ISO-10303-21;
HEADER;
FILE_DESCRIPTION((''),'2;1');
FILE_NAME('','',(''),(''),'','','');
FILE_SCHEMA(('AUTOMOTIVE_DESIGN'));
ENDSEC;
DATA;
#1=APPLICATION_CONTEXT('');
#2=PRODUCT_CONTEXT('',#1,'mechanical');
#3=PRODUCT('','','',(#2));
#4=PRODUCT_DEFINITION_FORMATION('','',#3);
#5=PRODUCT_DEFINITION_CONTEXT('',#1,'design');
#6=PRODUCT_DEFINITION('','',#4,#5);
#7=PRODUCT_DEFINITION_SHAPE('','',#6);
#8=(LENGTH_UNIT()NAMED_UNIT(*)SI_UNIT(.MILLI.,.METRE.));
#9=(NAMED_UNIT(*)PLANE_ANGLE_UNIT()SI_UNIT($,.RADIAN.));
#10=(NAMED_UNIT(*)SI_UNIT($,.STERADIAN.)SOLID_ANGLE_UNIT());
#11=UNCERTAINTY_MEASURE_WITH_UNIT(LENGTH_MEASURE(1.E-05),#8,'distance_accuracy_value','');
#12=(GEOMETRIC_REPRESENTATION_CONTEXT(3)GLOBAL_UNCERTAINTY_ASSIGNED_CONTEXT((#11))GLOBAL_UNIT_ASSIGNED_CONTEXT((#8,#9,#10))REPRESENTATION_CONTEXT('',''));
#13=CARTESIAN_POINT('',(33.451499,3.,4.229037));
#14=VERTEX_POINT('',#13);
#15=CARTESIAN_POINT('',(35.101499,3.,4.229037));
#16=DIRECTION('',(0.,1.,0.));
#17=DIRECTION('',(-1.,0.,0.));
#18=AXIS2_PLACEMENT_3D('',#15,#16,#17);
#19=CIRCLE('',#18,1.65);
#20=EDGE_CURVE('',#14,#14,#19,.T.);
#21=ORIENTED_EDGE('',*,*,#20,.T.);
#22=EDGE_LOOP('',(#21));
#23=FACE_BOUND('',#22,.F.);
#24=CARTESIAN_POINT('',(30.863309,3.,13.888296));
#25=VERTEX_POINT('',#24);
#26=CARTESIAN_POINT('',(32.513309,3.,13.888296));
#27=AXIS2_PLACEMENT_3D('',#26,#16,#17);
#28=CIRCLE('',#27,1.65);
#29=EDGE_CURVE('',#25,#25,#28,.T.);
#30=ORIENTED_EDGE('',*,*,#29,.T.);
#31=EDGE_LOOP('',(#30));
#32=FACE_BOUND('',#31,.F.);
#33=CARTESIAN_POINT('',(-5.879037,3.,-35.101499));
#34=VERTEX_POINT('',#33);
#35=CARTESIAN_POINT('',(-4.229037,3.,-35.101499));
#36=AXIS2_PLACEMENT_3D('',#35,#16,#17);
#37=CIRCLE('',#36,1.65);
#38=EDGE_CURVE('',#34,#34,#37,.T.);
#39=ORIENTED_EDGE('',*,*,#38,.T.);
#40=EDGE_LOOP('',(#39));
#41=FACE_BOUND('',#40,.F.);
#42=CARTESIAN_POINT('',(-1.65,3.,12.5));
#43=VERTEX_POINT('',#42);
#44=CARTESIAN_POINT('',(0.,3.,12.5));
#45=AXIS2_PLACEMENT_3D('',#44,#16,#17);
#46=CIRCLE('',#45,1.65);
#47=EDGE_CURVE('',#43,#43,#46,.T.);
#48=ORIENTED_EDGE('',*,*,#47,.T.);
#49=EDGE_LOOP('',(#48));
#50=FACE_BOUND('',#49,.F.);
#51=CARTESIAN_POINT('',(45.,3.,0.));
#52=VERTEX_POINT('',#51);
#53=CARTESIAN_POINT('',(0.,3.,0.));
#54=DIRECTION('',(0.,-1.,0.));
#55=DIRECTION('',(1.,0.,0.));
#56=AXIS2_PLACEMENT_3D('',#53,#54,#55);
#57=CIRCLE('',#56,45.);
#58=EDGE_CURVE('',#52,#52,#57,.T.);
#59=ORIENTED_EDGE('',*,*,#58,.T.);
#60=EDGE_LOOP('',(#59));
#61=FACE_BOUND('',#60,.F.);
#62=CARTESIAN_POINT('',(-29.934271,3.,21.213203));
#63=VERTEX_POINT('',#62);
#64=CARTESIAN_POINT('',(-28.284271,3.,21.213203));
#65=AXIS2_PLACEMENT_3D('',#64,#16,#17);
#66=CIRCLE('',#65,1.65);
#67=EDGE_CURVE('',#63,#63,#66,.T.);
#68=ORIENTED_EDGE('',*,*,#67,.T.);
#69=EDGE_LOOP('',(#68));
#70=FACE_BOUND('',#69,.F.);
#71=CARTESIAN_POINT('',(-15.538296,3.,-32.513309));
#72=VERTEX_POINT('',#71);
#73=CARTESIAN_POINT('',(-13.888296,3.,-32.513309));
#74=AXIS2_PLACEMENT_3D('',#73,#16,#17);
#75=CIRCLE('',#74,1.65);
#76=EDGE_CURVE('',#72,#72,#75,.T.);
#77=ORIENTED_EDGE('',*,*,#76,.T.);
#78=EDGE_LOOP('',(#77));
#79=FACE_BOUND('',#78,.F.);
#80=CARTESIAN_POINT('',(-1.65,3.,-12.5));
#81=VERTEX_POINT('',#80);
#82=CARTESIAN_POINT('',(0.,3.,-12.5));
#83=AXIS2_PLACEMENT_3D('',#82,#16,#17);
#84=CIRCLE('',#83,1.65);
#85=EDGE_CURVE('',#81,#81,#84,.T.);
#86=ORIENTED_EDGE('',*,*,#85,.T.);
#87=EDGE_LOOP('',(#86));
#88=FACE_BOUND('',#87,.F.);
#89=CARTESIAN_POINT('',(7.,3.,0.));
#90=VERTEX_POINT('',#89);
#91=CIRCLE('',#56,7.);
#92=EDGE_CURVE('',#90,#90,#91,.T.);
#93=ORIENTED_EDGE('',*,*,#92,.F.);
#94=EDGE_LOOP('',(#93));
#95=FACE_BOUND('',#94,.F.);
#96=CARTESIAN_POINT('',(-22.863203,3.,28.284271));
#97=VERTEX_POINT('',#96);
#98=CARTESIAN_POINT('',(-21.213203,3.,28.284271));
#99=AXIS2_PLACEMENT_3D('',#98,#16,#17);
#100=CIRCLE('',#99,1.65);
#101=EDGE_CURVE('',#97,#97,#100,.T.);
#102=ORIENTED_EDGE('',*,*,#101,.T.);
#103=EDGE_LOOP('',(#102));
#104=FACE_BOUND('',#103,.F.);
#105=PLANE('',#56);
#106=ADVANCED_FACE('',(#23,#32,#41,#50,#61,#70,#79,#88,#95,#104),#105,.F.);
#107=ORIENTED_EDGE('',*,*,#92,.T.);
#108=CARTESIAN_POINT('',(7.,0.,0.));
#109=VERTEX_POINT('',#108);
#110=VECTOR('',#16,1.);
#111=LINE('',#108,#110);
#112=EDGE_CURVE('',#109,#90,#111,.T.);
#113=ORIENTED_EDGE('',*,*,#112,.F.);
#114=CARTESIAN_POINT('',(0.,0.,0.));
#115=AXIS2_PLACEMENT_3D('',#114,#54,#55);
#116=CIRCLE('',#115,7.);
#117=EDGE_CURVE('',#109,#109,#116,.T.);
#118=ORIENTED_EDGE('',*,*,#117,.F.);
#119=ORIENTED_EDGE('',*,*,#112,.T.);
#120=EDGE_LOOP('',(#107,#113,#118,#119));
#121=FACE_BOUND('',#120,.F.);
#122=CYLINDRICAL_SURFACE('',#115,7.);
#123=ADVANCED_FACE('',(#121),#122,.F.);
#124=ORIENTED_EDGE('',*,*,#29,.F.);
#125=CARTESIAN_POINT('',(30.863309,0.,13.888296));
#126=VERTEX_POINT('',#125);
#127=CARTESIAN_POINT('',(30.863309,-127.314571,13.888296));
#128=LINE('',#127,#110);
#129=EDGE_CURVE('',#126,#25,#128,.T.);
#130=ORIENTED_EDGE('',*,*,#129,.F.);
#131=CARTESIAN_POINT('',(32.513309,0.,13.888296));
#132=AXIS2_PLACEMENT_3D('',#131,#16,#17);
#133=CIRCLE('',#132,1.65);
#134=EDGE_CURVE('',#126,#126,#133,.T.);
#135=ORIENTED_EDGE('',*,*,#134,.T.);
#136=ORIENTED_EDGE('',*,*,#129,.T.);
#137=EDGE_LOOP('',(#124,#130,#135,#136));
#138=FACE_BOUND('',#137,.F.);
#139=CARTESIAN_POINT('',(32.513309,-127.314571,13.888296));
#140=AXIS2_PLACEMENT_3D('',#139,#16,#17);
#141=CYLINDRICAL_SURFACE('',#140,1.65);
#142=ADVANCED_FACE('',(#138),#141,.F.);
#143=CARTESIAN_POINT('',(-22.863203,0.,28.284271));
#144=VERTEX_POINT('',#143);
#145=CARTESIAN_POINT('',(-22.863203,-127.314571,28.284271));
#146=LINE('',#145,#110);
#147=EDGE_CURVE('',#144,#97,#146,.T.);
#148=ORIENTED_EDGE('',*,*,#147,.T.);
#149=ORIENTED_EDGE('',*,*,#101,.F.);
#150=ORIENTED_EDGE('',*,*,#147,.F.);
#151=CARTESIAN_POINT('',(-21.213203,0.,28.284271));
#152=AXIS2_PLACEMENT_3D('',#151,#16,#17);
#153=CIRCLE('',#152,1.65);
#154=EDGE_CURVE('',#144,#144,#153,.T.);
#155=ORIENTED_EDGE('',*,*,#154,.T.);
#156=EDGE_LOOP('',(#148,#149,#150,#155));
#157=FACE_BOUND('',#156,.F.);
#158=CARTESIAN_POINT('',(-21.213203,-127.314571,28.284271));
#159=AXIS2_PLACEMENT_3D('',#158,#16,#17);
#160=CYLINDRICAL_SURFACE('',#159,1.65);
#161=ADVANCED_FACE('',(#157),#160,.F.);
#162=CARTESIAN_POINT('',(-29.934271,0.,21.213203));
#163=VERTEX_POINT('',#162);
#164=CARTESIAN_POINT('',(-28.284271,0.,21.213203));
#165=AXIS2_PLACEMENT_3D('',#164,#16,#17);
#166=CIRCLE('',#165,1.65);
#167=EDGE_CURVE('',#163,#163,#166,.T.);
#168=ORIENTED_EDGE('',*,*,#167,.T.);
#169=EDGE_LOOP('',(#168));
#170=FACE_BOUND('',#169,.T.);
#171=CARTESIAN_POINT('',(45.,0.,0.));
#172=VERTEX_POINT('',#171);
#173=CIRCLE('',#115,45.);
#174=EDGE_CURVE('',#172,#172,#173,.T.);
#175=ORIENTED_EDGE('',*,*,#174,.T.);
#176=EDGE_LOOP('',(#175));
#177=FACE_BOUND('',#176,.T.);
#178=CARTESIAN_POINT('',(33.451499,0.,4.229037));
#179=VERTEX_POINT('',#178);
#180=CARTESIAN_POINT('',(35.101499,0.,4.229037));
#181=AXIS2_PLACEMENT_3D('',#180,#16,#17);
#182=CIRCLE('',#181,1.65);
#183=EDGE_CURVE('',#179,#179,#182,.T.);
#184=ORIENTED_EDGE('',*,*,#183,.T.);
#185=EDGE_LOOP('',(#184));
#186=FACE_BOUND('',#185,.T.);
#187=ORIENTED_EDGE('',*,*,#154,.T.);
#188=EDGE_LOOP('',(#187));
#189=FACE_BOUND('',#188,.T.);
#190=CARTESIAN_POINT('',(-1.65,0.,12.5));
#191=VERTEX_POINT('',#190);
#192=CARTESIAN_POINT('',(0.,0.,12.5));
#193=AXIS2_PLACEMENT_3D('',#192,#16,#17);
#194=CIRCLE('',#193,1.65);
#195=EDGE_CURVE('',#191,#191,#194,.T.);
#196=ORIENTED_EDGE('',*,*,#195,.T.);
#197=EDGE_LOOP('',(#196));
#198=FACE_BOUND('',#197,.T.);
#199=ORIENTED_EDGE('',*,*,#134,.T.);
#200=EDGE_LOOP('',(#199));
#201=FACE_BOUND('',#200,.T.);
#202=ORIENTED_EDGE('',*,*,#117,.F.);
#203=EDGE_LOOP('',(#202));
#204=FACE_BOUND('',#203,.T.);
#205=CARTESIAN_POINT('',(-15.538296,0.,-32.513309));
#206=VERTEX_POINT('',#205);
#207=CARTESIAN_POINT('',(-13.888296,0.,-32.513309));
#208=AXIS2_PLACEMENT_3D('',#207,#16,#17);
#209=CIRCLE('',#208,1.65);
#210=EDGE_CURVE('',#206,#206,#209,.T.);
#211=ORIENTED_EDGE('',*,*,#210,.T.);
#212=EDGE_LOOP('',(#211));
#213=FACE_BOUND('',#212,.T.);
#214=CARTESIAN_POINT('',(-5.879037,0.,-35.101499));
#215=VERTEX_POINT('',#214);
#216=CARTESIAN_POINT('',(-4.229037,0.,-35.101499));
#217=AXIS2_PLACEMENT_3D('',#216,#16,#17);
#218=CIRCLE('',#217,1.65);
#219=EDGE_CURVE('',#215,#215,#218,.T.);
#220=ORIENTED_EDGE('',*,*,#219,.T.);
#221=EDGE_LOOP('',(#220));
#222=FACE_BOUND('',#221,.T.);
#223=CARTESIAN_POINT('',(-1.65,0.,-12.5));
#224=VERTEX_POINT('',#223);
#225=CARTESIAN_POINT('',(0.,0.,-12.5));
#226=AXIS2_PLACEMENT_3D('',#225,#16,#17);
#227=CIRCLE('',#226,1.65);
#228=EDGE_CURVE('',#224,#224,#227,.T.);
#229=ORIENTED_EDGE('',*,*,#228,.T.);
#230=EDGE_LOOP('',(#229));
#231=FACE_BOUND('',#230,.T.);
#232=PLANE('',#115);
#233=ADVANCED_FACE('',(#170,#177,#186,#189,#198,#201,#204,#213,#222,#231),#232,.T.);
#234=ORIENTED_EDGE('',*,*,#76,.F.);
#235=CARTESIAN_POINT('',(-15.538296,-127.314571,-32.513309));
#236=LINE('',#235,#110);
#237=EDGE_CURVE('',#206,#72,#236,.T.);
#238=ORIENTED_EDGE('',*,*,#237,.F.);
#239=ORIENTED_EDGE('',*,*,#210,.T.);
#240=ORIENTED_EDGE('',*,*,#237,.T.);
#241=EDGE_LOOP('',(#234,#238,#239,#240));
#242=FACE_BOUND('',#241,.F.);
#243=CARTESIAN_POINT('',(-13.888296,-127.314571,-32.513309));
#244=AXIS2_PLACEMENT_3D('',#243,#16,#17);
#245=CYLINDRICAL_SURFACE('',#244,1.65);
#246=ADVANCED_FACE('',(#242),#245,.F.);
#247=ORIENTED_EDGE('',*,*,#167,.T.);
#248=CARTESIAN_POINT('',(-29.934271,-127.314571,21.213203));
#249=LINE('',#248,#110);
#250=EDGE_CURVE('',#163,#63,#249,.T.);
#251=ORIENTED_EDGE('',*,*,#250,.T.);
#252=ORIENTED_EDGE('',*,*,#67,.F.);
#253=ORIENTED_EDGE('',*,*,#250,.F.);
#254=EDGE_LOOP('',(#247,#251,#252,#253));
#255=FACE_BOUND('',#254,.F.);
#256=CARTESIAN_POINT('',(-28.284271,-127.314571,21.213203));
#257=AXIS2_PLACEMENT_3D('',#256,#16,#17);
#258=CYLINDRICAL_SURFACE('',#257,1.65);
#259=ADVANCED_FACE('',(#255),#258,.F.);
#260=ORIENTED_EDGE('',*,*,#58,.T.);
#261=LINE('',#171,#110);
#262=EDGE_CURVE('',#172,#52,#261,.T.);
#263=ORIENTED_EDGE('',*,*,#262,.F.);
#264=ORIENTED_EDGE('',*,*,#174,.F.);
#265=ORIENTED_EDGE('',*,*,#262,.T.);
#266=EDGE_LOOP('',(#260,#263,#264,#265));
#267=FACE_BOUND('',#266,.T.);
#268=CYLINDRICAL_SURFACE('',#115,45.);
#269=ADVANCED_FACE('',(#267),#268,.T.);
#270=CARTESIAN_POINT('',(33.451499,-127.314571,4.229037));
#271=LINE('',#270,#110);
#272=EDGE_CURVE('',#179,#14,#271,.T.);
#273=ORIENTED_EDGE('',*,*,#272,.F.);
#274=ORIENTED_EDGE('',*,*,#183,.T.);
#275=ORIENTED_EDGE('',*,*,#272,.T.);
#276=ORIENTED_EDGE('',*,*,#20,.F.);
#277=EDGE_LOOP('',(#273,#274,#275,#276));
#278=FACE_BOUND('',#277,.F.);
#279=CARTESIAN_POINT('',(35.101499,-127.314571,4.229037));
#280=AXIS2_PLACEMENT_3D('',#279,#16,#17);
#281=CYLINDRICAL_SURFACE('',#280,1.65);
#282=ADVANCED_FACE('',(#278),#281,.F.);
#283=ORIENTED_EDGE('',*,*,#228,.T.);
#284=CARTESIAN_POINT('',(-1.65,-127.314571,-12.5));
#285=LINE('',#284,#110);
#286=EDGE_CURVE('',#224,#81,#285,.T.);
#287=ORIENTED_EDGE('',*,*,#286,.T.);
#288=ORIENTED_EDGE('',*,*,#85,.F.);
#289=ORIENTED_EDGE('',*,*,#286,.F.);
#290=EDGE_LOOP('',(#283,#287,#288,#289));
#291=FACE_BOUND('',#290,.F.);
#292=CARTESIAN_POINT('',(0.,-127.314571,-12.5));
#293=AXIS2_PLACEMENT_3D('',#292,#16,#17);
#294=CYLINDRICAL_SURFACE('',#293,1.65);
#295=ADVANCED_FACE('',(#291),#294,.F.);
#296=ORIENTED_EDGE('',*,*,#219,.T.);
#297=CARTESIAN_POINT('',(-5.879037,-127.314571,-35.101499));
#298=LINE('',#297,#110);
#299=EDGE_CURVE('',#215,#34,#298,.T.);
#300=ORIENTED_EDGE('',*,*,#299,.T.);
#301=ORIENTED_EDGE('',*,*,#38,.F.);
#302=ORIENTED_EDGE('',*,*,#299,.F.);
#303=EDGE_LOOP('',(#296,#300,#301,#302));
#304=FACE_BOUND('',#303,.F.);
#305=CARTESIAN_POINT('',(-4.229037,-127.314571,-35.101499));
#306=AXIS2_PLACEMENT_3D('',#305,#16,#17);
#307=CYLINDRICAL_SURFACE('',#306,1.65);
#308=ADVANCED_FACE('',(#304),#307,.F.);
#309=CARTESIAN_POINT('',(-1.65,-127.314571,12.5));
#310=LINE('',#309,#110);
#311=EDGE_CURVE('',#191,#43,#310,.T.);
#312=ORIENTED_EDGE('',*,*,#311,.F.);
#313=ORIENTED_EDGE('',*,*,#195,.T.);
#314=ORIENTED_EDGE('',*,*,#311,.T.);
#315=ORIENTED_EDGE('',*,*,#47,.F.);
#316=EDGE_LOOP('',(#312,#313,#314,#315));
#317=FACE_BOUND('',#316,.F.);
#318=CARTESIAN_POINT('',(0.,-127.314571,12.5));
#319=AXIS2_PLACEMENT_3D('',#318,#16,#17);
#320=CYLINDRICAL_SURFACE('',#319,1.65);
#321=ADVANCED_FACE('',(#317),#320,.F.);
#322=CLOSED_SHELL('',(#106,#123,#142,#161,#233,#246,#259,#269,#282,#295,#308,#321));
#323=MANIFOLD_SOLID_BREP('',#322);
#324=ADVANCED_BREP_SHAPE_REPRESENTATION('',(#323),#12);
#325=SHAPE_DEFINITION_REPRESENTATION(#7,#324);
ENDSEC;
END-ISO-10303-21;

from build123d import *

# Parameters (mm, degrees)
F0_R     = 45
F0_R_2   = 7
F1_DEPTH = 3
F2_D     = 3.3
F3_D     = 3.3


with BuildPart() as f1:
    # F0 (on Front) → F1 (new body)
    with BuildSketch(Plane.XZ):
        Circle(F0_R)
        Circle(F0_R_2, mode=Mode.SUBTRACT)
    extrude(amount=-F1_DEPTH)

    # F2 (through all)
    with Locations(Plane.XZ):
        with Locations((-21.2132034356, 28.2842712475), (-28.2842712475, 21.2132034356), (-13.88829571, -32.5133086946), (-4.2290374471, -35.1014991456), (35.1014991456, 4.2290374471), (32.5133086946, 13.88829571)):
            Hole(F2_D / 2)

    # F3 (through all)
    with Locations(Plane.XZ):
        with Locations((0, 12.5), (0, -12.5)):
            Hole(F3_D / 2)


solid = f1.part
